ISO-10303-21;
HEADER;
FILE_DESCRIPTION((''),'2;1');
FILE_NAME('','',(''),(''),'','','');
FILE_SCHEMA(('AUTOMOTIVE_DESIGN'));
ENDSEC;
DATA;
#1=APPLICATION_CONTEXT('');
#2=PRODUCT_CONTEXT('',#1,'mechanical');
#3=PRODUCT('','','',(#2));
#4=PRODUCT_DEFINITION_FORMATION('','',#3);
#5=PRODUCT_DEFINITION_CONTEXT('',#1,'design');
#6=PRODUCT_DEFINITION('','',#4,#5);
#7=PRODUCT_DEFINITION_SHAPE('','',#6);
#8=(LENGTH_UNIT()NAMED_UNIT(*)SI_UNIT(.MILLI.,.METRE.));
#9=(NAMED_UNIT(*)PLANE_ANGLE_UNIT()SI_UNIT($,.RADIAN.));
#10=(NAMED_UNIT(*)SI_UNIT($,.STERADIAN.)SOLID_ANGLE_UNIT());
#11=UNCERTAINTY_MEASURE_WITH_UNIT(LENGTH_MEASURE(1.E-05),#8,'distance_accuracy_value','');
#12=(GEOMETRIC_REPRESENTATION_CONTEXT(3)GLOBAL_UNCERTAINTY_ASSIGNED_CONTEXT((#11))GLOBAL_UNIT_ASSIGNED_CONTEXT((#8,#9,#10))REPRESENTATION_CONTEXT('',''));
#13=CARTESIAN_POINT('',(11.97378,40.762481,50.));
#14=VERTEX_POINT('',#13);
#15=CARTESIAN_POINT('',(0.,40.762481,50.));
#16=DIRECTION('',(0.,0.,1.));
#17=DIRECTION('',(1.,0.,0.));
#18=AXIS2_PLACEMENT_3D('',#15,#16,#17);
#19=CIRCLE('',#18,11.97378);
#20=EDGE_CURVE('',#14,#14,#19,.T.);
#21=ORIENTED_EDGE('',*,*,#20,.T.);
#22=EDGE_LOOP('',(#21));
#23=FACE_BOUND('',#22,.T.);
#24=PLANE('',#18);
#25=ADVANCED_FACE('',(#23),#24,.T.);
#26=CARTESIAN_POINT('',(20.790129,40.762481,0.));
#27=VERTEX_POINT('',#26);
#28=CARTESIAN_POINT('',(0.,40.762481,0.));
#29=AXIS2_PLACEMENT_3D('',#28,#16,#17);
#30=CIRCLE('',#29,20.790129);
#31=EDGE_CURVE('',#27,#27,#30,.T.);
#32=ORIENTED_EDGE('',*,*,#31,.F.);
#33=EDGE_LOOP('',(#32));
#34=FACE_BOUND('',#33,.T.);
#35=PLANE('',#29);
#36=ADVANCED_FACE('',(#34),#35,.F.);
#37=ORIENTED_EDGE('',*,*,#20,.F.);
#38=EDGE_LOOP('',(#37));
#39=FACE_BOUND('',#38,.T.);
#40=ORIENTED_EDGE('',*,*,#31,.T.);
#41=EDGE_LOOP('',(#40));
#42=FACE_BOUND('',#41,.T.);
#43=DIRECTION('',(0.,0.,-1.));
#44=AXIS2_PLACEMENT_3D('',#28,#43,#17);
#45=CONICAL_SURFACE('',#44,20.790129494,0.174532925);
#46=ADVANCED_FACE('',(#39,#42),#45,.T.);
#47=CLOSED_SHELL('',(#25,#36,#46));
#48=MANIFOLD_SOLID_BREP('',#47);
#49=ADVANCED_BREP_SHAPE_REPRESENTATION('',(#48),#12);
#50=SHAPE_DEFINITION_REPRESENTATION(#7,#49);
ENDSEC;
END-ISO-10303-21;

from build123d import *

# Parameters (mm, degrees)
SKETCH1_R           = 20.790129494
BOSS_EXTRUDE1_DEPTH = 50
BOSS_EXTRUDE1_TAPER = 10


with BuildPart() as part:
    # Sketch1 → Boss-Extrude1 (new body)
    with BuildSketch(Plane.XY):
        with Locations((0, 40.762481199)):
            Circle(SKETCH1_R)
    extrude(amount=BOSS_EXTRUDE1_DEPTH, taper=BOSS_EXTRUDE1_TAPER)


solid = part.part
